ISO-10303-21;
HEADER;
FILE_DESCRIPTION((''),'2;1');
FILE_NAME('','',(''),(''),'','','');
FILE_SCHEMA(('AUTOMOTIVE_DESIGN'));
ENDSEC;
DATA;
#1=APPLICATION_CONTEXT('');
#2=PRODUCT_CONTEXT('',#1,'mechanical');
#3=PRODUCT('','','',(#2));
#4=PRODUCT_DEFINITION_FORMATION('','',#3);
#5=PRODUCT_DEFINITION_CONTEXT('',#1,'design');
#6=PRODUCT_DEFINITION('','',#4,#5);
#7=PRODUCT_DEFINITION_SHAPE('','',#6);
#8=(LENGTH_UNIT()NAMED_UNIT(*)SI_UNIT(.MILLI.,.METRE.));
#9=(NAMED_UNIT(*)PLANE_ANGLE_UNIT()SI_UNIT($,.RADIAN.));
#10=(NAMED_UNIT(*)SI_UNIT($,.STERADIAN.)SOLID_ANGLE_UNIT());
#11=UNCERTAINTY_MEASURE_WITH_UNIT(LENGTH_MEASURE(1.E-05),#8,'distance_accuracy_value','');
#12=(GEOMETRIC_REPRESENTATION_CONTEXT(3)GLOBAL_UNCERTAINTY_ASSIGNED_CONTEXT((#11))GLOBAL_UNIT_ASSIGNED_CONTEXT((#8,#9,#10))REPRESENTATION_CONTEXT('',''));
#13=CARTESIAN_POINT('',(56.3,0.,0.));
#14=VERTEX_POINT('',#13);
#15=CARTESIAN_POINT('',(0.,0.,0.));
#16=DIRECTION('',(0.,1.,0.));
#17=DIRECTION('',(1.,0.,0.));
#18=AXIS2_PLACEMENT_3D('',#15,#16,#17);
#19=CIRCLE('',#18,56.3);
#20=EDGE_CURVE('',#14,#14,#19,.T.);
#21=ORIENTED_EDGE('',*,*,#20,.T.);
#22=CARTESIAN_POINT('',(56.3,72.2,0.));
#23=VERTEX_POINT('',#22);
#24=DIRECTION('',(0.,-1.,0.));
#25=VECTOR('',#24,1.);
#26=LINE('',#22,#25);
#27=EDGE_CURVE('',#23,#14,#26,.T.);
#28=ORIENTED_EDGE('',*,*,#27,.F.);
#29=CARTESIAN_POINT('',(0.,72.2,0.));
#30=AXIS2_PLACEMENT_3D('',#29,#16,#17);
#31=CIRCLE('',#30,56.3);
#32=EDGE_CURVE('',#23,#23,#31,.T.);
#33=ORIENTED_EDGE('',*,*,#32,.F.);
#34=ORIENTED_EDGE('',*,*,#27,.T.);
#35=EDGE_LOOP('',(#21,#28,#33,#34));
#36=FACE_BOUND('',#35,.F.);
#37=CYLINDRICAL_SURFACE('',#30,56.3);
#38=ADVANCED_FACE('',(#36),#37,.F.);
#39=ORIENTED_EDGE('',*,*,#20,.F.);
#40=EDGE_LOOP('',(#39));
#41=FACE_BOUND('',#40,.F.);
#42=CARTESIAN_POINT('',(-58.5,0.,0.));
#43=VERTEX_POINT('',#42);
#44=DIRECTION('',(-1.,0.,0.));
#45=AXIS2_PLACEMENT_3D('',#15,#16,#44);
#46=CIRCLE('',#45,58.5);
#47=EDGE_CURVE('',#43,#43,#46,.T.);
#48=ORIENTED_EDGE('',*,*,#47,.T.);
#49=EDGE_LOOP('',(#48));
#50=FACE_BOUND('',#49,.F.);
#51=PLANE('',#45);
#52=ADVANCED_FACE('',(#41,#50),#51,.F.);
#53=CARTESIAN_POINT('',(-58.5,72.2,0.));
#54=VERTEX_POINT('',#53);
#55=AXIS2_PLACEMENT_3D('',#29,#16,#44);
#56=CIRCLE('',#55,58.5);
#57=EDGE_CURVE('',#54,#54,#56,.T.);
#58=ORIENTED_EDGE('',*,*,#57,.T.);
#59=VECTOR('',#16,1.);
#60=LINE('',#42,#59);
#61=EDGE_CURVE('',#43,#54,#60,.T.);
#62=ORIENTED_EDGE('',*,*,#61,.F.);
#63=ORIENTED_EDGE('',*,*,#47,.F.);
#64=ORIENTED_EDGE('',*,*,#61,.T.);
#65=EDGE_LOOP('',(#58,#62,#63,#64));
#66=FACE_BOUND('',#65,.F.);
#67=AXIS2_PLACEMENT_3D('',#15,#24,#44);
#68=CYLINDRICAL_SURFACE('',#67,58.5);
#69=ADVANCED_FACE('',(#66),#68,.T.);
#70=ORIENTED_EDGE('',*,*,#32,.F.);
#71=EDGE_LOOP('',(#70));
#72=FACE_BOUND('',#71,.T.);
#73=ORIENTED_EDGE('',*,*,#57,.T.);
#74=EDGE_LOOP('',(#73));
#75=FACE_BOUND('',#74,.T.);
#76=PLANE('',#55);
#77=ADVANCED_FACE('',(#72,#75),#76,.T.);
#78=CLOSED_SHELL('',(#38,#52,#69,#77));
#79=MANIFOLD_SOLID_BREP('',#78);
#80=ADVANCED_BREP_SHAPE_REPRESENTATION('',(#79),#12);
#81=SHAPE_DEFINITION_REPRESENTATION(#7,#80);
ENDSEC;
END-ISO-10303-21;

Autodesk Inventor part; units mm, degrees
ref_plane "YZ Plane" through (0, 0, 0) normal (1, 0, 0) x (0, 1, 0)
ref_plane "XZ Plane" through (0, 0, 0) normal (0, 1, 0) x (-1, 0, 0)
ref_plane "XY Plane" through (0, 0, 0) normal (0, 0, 1) x (1, 0, 0)
sketch "Sketch1" plane through (0, 0, 0) normal (0, 1, 0) x (-1, 0, 0)
  circle A0 centre (0, 0) radius 58.5
  dimension "d0" = 117
extrude "Extrusion1" add sketch "Sketch1" along normal blind 72.2
sketch "Sketch2" plane through (0, 72.2, 0) normal (0, 1, 0) x (1, 0, 0)
  circle A0 centre (0, 0) radius 56.3
  dimension "d3" = 112.6
extrude "Extrusion2" cut sketch "Sketch2" against normal through all
properties part number "container"
